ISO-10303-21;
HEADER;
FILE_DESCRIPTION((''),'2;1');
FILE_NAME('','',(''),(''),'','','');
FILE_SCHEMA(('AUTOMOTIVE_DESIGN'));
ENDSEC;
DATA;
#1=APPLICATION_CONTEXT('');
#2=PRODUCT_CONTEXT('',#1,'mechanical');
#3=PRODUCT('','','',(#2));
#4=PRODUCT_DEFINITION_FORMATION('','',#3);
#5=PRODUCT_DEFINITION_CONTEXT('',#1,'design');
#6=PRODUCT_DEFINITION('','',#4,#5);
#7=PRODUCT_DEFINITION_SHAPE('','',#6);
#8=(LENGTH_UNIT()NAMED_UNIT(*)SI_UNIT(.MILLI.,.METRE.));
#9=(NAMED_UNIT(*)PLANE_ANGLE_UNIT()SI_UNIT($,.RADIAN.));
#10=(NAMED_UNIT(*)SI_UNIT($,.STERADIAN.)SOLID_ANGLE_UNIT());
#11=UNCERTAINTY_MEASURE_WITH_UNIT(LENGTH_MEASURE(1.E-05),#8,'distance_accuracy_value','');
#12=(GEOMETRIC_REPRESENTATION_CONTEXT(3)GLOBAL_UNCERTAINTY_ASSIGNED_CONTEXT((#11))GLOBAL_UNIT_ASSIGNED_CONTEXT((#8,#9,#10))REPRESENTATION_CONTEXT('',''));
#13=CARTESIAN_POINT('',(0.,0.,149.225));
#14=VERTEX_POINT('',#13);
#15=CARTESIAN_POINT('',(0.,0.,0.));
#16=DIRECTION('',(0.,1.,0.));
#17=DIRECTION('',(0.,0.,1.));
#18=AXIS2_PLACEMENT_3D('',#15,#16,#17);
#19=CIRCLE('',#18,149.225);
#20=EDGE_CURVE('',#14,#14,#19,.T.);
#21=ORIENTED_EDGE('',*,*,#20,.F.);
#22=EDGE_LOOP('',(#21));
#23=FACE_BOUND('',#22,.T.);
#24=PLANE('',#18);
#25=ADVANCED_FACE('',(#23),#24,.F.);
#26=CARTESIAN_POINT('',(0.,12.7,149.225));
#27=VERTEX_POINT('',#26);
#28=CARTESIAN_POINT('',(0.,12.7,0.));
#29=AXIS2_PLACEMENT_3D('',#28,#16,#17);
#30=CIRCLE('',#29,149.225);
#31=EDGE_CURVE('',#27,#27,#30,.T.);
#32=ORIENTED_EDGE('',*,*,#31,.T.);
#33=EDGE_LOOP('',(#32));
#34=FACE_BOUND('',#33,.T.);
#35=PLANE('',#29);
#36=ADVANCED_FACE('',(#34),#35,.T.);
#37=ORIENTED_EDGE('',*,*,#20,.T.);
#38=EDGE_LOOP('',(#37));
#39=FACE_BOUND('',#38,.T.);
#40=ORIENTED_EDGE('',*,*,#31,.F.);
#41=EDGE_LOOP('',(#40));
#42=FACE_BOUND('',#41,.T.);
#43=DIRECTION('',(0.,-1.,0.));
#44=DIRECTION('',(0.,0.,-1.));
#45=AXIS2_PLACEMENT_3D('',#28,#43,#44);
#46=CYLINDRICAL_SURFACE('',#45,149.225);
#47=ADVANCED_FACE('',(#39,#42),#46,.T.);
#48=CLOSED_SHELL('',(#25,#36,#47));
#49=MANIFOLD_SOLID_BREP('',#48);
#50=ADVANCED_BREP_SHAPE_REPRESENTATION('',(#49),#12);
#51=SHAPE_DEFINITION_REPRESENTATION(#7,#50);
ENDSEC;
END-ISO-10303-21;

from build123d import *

# Parameters (mm, degrees)
SKETCH1_R           = 149.225
BOSS_EXTRUDE1_DEPTH = 12.7


with BuildPart() as part:
    # Sketch1 → Boss-Extrude1 (new body)
    with BuildSketch(Plane(origin=(0, 0, 0), x_dir=(1, 0, 0), z_dir=(0, 1, 0))):
        with Locations(Location((0, 0, 0), (0, 0, 270))):
            Circle(SKETCH1_R)
    extrude(amount=BOSS_EXTRUDE1_DEPTH)


solid = part.part
